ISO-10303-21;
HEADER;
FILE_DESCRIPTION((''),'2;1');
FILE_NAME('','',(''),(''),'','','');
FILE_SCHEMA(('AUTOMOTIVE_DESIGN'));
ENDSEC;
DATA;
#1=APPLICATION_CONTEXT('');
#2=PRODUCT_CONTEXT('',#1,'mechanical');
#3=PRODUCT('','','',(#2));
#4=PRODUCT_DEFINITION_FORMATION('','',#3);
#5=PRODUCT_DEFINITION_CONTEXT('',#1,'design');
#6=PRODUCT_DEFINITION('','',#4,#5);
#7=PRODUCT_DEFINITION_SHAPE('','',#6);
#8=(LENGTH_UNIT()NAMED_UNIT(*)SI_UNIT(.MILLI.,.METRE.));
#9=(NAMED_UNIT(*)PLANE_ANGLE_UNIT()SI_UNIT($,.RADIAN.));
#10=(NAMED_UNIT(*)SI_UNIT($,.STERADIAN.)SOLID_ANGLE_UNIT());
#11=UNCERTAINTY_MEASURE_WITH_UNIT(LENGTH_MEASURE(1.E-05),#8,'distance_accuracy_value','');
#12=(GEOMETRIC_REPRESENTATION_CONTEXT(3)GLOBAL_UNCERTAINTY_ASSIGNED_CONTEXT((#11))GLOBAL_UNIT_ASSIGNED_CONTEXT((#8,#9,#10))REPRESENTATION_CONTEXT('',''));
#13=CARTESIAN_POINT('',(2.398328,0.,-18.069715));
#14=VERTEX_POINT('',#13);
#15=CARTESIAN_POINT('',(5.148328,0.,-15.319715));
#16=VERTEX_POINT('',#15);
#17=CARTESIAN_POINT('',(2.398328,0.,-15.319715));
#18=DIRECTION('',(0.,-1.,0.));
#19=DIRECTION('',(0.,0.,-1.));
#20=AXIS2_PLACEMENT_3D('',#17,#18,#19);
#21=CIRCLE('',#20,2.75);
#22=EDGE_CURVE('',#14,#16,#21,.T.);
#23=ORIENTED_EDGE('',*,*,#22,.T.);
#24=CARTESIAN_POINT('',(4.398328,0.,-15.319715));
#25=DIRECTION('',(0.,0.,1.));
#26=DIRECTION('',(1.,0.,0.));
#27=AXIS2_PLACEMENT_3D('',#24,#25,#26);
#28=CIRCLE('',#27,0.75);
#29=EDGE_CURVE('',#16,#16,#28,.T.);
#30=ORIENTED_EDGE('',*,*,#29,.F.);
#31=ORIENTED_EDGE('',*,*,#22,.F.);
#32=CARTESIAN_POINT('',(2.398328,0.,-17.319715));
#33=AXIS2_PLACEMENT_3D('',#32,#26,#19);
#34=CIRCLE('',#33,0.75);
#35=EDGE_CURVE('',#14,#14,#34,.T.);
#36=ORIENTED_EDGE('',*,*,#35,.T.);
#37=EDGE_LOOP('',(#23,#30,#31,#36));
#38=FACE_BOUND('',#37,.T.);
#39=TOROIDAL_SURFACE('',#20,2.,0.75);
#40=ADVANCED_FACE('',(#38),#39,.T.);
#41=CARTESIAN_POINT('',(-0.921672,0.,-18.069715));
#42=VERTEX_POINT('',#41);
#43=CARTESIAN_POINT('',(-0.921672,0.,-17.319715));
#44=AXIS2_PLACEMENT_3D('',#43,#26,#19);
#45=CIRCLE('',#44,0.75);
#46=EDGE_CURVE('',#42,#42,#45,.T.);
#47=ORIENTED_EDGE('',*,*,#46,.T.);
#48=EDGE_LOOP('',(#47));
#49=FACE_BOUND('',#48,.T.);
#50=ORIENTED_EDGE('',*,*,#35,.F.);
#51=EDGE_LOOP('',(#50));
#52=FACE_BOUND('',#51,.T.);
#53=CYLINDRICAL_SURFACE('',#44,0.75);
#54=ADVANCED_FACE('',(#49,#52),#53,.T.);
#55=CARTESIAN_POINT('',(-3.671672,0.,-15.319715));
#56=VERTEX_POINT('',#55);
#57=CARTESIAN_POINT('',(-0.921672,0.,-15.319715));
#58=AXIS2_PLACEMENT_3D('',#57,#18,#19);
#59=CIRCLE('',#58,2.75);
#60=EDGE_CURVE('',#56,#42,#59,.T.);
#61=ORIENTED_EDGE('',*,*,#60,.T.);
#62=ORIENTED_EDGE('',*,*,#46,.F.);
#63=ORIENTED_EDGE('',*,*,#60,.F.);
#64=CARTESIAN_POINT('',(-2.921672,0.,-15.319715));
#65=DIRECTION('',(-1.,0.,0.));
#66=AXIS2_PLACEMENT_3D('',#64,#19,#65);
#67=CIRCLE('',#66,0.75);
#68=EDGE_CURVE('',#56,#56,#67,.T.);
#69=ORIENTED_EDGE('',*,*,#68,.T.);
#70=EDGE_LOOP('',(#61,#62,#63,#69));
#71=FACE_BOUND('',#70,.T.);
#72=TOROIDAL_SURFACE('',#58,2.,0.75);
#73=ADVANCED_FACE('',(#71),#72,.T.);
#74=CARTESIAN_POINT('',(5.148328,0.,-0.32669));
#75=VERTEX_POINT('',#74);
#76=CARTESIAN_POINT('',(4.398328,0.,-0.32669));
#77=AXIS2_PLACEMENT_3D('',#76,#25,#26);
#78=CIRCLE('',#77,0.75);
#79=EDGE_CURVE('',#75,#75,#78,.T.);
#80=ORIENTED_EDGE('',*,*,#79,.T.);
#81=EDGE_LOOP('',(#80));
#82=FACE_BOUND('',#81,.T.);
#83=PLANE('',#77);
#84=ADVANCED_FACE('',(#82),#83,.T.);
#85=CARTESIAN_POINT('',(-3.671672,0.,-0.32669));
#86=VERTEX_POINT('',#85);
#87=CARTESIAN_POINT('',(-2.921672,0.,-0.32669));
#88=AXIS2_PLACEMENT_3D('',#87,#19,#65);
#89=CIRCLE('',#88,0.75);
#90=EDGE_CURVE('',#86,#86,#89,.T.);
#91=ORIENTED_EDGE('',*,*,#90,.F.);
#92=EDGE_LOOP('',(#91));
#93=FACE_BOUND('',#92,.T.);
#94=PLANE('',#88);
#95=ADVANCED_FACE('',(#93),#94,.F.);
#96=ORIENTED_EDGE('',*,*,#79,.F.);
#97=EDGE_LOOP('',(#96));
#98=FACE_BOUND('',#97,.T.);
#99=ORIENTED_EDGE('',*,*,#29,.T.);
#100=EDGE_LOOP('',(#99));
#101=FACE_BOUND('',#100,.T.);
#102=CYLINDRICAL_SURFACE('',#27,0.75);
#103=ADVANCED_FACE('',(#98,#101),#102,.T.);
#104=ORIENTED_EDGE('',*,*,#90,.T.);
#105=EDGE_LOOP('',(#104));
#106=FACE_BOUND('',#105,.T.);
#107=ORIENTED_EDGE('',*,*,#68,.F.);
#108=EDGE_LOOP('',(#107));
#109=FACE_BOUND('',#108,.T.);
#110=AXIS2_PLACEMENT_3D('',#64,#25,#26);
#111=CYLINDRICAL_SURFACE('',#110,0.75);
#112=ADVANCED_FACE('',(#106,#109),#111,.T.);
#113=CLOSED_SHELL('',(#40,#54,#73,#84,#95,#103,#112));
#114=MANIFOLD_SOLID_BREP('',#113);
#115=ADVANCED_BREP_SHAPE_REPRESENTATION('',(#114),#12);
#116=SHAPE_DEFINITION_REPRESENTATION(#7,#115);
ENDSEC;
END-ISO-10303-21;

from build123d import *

# Parameters (mm, degrees)
SKETCH_7_R = 0.75


with BuildPart() as part:
    # По траектории9: sweep along a path in Эскиз1
    with BuildLine(Plane(origin=(0, 0, 0), x_dir=(1, 0, 0), z_dir=(0, 1, 0))) as sweep_9_path:
        Line((-2.921672053, 0.326690485), (-2.921672053, 15.31971545))
        ThreePointArc((-2.921672053, 15.31971545), (-2.335885615, 16.733929012), (-0.921672053, 17.31971545))
        Line((-0.921672053, 17.31971545), (2.398327947, 17.31971545))
        ThreePointArc((2.398327947, 17.31971545), (3.812541509, 16.733929012), (4.398327947, 15.31971545))
        Line((4.398327947, 15.31971545), (4.398327947, 0.326690485))
    # Эскиз7 → По траектории9 (sweep)
    with BuildSketch(Plane(origin=(-2.921672053, 0, -0.326690485), x_dir=(-1, 0, 0), z_dir=(0, 0, -1))):
        Circle(SKETCH_7_R)
    sweep(path=sweep_9_path.line)


solid = part.part
